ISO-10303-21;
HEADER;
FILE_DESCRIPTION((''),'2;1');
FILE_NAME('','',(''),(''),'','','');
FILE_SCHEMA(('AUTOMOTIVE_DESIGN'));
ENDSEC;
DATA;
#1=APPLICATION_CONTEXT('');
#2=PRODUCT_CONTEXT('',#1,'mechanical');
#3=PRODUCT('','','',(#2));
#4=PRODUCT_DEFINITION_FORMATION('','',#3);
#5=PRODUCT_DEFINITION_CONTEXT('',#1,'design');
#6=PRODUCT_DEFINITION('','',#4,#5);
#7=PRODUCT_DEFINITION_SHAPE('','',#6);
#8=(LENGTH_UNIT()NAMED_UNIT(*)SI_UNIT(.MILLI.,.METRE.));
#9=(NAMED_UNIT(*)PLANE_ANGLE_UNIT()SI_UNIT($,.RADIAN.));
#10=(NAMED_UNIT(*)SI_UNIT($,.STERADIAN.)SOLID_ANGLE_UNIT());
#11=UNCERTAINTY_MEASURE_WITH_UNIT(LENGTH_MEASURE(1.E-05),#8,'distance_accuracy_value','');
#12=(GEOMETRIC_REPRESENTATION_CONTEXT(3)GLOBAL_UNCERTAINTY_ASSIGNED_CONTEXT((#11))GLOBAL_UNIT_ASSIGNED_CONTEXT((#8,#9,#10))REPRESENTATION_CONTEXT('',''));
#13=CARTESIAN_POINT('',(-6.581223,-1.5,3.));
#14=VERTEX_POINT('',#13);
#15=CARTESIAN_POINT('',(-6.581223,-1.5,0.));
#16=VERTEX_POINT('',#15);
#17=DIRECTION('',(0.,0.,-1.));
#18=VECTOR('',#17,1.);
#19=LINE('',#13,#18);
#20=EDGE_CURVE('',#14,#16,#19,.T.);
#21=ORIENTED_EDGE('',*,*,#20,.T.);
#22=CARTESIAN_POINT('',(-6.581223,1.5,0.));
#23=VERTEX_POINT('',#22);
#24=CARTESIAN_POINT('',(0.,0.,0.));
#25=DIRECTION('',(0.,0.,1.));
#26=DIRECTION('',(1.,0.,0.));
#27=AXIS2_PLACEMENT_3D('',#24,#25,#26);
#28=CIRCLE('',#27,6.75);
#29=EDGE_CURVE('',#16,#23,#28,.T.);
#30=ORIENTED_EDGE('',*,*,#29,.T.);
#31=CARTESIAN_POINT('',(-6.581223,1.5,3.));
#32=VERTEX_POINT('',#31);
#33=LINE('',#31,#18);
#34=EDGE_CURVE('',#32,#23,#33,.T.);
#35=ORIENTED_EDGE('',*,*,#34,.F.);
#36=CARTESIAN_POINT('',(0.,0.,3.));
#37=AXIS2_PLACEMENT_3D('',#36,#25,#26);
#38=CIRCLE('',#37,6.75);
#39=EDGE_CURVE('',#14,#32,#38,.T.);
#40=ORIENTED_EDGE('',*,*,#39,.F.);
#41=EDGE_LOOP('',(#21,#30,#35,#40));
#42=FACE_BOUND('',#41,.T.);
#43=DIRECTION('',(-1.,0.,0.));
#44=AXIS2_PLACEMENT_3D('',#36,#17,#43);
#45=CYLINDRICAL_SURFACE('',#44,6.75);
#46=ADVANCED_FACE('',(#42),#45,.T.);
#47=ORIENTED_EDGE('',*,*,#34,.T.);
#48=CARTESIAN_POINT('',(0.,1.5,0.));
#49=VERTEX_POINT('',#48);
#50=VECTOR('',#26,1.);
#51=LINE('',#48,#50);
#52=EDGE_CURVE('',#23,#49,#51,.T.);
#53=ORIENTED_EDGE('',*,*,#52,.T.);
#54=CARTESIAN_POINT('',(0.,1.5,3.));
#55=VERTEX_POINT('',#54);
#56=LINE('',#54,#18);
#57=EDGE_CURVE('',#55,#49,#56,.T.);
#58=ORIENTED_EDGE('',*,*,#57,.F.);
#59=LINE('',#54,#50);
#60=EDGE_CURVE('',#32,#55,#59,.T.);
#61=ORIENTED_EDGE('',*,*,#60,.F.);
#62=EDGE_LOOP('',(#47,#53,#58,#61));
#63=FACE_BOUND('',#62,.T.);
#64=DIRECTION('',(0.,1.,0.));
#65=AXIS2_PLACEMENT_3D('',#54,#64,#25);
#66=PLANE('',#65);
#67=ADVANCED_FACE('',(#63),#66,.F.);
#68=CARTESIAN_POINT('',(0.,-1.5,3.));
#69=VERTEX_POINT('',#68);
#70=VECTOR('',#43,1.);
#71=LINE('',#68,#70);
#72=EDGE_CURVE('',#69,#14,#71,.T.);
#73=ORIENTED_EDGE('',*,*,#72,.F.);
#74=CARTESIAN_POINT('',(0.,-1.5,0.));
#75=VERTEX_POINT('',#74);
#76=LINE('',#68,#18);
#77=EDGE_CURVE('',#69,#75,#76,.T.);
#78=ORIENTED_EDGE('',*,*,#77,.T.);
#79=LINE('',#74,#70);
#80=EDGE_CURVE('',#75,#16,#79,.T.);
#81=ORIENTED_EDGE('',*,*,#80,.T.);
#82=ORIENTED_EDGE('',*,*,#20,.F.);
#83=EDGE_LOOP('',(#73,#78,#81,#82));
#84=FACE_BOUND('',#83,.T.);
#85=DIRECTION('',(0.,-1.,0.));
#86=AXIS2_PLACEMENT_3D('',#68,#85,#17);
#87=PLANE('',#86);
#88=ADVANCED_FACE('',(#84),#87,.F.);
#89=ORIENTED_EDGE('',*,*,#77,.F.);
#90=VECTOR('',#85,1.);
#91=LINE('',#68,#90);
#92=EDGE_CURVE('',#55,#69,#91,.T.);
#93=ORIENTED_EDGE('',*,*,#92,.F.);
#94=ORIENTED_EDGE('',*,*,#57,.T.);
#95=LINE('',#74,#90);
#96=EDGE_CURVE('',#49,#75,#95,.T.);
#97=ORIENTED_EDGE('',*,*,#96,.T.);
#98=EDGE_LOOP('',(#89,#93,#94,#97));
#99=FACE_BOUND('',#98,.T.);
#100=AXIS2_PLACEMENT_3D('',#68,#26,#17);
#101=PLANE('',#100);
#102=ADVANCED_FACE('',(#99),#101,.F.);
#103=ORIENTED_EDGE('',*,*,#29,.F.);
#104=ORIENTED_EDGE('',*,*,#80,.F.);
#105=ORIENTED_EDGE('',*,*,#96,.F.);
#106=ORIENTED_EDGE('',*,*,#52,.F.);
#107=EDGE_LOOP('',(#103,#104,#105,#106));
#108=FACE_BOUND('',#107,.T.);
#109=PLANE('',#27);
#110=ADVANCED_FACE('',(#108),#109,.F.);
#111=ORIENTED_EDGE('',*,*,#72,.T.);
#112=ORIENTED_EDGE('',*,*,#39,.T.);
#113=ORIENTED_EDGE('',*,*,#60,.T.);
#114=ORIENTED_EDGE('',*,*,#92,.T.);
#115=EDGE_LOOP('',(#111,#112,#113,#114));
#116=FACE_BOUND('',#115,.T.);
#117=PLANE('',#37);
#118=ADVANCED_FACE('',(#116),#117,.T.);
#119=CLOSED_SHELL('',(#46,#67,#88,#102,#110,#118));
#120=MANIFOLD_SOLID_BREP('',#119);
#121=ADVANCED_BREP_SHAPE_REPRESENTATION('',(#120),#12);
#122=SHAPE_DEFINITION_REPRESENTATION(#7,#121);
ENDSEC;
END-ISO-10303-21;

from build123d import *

# Parameters (mm, degrees)
SALIENTE_EXTRUIR1_DEPTH = 3


with BuildPart() as part:
    # Croquis1 → Saliente-Extruir1 (new body)
    with BuildSketch(Plane.XY):
        with BuildLine():
            Line((0, -1.5), (0, 1.5))
            Line((0, 1.5), (-6.581223291, 1.5))
            ThreePointArc((-6.581223291, 1.5), (6.75, 0), (-6.581223291, -1.5))
            Line((-6.581223291, -1.5), (0, -1.5))
        make_face()
    extrude(amount=SALIENTE_EXTRUIR1_DEPTH)


solid = part.part
